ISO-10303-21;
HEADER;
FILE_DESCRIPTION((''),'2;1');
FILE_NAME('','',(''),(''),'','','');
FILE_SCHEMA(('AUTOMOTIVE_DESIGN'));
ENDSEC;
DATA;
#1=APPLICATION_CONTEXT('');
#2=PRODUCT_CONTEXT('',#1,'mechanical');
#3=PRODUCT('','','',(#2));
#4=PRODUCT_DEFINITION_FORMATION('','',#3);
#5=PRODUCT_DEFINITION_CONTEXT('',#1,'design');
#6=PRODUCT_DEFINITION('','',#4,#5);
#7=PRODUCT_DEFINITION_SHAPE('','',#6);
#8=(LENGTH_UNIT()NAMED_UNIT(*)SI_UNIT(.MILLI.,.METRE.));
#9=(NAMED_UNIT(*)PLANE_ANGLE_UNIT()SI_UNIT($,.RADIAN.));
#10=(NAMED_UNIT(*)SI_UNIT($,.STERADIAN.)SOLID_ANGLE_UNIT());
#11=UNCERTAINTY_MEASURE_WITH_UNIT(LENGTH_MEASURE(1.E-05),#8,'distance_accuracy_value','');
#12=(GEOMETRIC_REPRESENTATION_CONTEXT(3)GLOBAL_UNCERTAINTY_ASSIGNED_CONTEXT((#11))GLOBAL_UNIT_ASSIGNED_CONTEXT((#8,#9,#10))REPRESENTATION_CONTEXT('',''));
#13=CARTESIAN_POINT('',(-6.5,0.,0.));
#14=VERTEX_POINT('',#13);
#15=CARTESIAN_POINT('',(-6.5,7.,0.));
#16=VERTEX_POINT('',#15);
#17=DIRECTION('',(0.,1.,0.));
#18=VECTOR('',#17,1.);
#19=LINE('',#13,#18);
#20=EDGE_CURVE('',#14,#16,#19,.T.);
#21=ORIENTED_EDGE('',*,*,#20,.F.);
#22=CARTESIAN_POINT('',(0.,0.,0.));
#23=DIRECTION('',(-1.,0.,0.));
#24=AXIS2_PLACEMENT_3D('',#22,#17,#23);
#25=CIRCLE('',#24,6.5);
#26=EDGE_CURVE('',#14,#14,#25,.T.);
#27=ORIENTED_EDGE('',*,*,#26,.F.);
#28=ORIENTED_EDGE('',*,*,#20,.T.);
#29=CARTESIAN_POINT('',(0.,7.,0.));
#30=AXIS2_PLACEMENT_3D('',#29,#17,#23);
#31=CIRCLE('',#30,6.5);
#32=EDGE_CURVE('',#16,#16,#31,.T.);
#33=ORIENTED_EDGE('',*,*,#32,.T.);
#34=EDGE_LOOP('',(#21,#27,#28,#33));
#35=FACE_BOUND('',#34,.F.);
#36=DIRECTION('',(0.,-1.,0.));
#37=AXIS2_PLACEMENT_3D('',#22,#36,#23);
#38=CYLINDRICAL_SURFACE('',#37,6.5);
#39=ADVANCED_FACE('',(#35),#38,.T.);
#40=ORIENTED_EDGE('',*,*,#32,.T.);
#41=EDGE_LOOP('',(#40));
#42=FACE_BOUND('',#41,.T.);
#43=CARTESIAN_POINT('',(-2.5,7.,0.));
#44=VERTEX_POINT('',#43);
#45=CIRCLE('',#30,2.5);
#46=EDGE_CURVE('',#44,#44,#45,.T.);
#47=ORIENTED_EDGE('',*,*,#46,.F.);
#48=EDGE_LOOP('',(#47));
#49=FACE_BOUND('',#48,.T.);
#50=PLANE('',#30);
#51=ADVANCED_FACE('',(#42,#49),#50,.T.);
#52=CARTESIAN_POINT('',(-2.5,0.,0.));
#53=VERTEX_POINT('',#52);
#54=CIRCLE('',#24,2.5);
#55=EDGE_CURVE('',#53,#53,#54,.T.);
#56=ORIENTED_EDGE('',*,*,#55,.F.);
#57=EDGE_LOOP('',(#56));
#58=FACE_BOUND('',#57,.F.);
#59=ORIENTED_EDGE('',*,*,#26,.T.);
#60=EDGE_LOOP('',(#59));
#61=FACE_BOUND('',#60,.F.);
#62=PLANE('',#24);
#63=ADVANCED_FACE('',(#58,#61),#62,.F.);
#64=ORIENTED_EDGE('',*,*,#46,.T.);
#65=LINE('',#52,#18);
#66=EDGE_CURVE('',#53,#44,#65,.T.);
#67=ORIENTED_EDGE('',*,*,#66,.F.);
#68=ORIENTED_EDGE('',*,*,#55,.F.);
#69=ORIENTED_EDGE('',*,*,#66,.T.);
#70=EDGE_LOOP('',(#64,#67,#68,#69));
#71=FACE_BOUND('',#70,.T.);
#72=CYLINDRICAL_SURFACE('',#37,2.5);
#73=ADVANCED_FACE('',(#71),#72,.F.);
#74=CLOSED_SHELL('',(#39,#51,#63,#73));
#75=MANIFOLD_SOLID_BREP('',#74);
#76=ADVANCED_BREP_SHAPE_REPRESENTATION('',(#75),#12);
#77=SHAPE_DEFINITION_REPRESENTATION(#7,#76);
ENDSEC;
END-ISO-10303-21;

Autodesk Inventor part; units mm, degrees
ref_plane "YZ Plane" through (0, 0, 0) normal (1, 0, 0) x (0, 1, 0)
ref_plane "XZ Plane" through (0, 0, 0) normal (0, 1, 0) x (-1, 0, 0)
ref_plane "XY Plane" through (0, 0, 0) normal (0, 0, 1) x (1, 0, 0)
sketch "Sketch1" plane through (0, 0, 0) normal (0, 1, 0) x (-1, 0, 0)
  circle A0 centre (0, 0) radius 6.5
  circle A1 centre (0, 0) radius 2.5
  dimension "d0" = 13
  dimension "d1" = 5
extrude "Extrusion1" add sketch "Sketch1" along normal blind 7
properties part number "13to6_bearing"
